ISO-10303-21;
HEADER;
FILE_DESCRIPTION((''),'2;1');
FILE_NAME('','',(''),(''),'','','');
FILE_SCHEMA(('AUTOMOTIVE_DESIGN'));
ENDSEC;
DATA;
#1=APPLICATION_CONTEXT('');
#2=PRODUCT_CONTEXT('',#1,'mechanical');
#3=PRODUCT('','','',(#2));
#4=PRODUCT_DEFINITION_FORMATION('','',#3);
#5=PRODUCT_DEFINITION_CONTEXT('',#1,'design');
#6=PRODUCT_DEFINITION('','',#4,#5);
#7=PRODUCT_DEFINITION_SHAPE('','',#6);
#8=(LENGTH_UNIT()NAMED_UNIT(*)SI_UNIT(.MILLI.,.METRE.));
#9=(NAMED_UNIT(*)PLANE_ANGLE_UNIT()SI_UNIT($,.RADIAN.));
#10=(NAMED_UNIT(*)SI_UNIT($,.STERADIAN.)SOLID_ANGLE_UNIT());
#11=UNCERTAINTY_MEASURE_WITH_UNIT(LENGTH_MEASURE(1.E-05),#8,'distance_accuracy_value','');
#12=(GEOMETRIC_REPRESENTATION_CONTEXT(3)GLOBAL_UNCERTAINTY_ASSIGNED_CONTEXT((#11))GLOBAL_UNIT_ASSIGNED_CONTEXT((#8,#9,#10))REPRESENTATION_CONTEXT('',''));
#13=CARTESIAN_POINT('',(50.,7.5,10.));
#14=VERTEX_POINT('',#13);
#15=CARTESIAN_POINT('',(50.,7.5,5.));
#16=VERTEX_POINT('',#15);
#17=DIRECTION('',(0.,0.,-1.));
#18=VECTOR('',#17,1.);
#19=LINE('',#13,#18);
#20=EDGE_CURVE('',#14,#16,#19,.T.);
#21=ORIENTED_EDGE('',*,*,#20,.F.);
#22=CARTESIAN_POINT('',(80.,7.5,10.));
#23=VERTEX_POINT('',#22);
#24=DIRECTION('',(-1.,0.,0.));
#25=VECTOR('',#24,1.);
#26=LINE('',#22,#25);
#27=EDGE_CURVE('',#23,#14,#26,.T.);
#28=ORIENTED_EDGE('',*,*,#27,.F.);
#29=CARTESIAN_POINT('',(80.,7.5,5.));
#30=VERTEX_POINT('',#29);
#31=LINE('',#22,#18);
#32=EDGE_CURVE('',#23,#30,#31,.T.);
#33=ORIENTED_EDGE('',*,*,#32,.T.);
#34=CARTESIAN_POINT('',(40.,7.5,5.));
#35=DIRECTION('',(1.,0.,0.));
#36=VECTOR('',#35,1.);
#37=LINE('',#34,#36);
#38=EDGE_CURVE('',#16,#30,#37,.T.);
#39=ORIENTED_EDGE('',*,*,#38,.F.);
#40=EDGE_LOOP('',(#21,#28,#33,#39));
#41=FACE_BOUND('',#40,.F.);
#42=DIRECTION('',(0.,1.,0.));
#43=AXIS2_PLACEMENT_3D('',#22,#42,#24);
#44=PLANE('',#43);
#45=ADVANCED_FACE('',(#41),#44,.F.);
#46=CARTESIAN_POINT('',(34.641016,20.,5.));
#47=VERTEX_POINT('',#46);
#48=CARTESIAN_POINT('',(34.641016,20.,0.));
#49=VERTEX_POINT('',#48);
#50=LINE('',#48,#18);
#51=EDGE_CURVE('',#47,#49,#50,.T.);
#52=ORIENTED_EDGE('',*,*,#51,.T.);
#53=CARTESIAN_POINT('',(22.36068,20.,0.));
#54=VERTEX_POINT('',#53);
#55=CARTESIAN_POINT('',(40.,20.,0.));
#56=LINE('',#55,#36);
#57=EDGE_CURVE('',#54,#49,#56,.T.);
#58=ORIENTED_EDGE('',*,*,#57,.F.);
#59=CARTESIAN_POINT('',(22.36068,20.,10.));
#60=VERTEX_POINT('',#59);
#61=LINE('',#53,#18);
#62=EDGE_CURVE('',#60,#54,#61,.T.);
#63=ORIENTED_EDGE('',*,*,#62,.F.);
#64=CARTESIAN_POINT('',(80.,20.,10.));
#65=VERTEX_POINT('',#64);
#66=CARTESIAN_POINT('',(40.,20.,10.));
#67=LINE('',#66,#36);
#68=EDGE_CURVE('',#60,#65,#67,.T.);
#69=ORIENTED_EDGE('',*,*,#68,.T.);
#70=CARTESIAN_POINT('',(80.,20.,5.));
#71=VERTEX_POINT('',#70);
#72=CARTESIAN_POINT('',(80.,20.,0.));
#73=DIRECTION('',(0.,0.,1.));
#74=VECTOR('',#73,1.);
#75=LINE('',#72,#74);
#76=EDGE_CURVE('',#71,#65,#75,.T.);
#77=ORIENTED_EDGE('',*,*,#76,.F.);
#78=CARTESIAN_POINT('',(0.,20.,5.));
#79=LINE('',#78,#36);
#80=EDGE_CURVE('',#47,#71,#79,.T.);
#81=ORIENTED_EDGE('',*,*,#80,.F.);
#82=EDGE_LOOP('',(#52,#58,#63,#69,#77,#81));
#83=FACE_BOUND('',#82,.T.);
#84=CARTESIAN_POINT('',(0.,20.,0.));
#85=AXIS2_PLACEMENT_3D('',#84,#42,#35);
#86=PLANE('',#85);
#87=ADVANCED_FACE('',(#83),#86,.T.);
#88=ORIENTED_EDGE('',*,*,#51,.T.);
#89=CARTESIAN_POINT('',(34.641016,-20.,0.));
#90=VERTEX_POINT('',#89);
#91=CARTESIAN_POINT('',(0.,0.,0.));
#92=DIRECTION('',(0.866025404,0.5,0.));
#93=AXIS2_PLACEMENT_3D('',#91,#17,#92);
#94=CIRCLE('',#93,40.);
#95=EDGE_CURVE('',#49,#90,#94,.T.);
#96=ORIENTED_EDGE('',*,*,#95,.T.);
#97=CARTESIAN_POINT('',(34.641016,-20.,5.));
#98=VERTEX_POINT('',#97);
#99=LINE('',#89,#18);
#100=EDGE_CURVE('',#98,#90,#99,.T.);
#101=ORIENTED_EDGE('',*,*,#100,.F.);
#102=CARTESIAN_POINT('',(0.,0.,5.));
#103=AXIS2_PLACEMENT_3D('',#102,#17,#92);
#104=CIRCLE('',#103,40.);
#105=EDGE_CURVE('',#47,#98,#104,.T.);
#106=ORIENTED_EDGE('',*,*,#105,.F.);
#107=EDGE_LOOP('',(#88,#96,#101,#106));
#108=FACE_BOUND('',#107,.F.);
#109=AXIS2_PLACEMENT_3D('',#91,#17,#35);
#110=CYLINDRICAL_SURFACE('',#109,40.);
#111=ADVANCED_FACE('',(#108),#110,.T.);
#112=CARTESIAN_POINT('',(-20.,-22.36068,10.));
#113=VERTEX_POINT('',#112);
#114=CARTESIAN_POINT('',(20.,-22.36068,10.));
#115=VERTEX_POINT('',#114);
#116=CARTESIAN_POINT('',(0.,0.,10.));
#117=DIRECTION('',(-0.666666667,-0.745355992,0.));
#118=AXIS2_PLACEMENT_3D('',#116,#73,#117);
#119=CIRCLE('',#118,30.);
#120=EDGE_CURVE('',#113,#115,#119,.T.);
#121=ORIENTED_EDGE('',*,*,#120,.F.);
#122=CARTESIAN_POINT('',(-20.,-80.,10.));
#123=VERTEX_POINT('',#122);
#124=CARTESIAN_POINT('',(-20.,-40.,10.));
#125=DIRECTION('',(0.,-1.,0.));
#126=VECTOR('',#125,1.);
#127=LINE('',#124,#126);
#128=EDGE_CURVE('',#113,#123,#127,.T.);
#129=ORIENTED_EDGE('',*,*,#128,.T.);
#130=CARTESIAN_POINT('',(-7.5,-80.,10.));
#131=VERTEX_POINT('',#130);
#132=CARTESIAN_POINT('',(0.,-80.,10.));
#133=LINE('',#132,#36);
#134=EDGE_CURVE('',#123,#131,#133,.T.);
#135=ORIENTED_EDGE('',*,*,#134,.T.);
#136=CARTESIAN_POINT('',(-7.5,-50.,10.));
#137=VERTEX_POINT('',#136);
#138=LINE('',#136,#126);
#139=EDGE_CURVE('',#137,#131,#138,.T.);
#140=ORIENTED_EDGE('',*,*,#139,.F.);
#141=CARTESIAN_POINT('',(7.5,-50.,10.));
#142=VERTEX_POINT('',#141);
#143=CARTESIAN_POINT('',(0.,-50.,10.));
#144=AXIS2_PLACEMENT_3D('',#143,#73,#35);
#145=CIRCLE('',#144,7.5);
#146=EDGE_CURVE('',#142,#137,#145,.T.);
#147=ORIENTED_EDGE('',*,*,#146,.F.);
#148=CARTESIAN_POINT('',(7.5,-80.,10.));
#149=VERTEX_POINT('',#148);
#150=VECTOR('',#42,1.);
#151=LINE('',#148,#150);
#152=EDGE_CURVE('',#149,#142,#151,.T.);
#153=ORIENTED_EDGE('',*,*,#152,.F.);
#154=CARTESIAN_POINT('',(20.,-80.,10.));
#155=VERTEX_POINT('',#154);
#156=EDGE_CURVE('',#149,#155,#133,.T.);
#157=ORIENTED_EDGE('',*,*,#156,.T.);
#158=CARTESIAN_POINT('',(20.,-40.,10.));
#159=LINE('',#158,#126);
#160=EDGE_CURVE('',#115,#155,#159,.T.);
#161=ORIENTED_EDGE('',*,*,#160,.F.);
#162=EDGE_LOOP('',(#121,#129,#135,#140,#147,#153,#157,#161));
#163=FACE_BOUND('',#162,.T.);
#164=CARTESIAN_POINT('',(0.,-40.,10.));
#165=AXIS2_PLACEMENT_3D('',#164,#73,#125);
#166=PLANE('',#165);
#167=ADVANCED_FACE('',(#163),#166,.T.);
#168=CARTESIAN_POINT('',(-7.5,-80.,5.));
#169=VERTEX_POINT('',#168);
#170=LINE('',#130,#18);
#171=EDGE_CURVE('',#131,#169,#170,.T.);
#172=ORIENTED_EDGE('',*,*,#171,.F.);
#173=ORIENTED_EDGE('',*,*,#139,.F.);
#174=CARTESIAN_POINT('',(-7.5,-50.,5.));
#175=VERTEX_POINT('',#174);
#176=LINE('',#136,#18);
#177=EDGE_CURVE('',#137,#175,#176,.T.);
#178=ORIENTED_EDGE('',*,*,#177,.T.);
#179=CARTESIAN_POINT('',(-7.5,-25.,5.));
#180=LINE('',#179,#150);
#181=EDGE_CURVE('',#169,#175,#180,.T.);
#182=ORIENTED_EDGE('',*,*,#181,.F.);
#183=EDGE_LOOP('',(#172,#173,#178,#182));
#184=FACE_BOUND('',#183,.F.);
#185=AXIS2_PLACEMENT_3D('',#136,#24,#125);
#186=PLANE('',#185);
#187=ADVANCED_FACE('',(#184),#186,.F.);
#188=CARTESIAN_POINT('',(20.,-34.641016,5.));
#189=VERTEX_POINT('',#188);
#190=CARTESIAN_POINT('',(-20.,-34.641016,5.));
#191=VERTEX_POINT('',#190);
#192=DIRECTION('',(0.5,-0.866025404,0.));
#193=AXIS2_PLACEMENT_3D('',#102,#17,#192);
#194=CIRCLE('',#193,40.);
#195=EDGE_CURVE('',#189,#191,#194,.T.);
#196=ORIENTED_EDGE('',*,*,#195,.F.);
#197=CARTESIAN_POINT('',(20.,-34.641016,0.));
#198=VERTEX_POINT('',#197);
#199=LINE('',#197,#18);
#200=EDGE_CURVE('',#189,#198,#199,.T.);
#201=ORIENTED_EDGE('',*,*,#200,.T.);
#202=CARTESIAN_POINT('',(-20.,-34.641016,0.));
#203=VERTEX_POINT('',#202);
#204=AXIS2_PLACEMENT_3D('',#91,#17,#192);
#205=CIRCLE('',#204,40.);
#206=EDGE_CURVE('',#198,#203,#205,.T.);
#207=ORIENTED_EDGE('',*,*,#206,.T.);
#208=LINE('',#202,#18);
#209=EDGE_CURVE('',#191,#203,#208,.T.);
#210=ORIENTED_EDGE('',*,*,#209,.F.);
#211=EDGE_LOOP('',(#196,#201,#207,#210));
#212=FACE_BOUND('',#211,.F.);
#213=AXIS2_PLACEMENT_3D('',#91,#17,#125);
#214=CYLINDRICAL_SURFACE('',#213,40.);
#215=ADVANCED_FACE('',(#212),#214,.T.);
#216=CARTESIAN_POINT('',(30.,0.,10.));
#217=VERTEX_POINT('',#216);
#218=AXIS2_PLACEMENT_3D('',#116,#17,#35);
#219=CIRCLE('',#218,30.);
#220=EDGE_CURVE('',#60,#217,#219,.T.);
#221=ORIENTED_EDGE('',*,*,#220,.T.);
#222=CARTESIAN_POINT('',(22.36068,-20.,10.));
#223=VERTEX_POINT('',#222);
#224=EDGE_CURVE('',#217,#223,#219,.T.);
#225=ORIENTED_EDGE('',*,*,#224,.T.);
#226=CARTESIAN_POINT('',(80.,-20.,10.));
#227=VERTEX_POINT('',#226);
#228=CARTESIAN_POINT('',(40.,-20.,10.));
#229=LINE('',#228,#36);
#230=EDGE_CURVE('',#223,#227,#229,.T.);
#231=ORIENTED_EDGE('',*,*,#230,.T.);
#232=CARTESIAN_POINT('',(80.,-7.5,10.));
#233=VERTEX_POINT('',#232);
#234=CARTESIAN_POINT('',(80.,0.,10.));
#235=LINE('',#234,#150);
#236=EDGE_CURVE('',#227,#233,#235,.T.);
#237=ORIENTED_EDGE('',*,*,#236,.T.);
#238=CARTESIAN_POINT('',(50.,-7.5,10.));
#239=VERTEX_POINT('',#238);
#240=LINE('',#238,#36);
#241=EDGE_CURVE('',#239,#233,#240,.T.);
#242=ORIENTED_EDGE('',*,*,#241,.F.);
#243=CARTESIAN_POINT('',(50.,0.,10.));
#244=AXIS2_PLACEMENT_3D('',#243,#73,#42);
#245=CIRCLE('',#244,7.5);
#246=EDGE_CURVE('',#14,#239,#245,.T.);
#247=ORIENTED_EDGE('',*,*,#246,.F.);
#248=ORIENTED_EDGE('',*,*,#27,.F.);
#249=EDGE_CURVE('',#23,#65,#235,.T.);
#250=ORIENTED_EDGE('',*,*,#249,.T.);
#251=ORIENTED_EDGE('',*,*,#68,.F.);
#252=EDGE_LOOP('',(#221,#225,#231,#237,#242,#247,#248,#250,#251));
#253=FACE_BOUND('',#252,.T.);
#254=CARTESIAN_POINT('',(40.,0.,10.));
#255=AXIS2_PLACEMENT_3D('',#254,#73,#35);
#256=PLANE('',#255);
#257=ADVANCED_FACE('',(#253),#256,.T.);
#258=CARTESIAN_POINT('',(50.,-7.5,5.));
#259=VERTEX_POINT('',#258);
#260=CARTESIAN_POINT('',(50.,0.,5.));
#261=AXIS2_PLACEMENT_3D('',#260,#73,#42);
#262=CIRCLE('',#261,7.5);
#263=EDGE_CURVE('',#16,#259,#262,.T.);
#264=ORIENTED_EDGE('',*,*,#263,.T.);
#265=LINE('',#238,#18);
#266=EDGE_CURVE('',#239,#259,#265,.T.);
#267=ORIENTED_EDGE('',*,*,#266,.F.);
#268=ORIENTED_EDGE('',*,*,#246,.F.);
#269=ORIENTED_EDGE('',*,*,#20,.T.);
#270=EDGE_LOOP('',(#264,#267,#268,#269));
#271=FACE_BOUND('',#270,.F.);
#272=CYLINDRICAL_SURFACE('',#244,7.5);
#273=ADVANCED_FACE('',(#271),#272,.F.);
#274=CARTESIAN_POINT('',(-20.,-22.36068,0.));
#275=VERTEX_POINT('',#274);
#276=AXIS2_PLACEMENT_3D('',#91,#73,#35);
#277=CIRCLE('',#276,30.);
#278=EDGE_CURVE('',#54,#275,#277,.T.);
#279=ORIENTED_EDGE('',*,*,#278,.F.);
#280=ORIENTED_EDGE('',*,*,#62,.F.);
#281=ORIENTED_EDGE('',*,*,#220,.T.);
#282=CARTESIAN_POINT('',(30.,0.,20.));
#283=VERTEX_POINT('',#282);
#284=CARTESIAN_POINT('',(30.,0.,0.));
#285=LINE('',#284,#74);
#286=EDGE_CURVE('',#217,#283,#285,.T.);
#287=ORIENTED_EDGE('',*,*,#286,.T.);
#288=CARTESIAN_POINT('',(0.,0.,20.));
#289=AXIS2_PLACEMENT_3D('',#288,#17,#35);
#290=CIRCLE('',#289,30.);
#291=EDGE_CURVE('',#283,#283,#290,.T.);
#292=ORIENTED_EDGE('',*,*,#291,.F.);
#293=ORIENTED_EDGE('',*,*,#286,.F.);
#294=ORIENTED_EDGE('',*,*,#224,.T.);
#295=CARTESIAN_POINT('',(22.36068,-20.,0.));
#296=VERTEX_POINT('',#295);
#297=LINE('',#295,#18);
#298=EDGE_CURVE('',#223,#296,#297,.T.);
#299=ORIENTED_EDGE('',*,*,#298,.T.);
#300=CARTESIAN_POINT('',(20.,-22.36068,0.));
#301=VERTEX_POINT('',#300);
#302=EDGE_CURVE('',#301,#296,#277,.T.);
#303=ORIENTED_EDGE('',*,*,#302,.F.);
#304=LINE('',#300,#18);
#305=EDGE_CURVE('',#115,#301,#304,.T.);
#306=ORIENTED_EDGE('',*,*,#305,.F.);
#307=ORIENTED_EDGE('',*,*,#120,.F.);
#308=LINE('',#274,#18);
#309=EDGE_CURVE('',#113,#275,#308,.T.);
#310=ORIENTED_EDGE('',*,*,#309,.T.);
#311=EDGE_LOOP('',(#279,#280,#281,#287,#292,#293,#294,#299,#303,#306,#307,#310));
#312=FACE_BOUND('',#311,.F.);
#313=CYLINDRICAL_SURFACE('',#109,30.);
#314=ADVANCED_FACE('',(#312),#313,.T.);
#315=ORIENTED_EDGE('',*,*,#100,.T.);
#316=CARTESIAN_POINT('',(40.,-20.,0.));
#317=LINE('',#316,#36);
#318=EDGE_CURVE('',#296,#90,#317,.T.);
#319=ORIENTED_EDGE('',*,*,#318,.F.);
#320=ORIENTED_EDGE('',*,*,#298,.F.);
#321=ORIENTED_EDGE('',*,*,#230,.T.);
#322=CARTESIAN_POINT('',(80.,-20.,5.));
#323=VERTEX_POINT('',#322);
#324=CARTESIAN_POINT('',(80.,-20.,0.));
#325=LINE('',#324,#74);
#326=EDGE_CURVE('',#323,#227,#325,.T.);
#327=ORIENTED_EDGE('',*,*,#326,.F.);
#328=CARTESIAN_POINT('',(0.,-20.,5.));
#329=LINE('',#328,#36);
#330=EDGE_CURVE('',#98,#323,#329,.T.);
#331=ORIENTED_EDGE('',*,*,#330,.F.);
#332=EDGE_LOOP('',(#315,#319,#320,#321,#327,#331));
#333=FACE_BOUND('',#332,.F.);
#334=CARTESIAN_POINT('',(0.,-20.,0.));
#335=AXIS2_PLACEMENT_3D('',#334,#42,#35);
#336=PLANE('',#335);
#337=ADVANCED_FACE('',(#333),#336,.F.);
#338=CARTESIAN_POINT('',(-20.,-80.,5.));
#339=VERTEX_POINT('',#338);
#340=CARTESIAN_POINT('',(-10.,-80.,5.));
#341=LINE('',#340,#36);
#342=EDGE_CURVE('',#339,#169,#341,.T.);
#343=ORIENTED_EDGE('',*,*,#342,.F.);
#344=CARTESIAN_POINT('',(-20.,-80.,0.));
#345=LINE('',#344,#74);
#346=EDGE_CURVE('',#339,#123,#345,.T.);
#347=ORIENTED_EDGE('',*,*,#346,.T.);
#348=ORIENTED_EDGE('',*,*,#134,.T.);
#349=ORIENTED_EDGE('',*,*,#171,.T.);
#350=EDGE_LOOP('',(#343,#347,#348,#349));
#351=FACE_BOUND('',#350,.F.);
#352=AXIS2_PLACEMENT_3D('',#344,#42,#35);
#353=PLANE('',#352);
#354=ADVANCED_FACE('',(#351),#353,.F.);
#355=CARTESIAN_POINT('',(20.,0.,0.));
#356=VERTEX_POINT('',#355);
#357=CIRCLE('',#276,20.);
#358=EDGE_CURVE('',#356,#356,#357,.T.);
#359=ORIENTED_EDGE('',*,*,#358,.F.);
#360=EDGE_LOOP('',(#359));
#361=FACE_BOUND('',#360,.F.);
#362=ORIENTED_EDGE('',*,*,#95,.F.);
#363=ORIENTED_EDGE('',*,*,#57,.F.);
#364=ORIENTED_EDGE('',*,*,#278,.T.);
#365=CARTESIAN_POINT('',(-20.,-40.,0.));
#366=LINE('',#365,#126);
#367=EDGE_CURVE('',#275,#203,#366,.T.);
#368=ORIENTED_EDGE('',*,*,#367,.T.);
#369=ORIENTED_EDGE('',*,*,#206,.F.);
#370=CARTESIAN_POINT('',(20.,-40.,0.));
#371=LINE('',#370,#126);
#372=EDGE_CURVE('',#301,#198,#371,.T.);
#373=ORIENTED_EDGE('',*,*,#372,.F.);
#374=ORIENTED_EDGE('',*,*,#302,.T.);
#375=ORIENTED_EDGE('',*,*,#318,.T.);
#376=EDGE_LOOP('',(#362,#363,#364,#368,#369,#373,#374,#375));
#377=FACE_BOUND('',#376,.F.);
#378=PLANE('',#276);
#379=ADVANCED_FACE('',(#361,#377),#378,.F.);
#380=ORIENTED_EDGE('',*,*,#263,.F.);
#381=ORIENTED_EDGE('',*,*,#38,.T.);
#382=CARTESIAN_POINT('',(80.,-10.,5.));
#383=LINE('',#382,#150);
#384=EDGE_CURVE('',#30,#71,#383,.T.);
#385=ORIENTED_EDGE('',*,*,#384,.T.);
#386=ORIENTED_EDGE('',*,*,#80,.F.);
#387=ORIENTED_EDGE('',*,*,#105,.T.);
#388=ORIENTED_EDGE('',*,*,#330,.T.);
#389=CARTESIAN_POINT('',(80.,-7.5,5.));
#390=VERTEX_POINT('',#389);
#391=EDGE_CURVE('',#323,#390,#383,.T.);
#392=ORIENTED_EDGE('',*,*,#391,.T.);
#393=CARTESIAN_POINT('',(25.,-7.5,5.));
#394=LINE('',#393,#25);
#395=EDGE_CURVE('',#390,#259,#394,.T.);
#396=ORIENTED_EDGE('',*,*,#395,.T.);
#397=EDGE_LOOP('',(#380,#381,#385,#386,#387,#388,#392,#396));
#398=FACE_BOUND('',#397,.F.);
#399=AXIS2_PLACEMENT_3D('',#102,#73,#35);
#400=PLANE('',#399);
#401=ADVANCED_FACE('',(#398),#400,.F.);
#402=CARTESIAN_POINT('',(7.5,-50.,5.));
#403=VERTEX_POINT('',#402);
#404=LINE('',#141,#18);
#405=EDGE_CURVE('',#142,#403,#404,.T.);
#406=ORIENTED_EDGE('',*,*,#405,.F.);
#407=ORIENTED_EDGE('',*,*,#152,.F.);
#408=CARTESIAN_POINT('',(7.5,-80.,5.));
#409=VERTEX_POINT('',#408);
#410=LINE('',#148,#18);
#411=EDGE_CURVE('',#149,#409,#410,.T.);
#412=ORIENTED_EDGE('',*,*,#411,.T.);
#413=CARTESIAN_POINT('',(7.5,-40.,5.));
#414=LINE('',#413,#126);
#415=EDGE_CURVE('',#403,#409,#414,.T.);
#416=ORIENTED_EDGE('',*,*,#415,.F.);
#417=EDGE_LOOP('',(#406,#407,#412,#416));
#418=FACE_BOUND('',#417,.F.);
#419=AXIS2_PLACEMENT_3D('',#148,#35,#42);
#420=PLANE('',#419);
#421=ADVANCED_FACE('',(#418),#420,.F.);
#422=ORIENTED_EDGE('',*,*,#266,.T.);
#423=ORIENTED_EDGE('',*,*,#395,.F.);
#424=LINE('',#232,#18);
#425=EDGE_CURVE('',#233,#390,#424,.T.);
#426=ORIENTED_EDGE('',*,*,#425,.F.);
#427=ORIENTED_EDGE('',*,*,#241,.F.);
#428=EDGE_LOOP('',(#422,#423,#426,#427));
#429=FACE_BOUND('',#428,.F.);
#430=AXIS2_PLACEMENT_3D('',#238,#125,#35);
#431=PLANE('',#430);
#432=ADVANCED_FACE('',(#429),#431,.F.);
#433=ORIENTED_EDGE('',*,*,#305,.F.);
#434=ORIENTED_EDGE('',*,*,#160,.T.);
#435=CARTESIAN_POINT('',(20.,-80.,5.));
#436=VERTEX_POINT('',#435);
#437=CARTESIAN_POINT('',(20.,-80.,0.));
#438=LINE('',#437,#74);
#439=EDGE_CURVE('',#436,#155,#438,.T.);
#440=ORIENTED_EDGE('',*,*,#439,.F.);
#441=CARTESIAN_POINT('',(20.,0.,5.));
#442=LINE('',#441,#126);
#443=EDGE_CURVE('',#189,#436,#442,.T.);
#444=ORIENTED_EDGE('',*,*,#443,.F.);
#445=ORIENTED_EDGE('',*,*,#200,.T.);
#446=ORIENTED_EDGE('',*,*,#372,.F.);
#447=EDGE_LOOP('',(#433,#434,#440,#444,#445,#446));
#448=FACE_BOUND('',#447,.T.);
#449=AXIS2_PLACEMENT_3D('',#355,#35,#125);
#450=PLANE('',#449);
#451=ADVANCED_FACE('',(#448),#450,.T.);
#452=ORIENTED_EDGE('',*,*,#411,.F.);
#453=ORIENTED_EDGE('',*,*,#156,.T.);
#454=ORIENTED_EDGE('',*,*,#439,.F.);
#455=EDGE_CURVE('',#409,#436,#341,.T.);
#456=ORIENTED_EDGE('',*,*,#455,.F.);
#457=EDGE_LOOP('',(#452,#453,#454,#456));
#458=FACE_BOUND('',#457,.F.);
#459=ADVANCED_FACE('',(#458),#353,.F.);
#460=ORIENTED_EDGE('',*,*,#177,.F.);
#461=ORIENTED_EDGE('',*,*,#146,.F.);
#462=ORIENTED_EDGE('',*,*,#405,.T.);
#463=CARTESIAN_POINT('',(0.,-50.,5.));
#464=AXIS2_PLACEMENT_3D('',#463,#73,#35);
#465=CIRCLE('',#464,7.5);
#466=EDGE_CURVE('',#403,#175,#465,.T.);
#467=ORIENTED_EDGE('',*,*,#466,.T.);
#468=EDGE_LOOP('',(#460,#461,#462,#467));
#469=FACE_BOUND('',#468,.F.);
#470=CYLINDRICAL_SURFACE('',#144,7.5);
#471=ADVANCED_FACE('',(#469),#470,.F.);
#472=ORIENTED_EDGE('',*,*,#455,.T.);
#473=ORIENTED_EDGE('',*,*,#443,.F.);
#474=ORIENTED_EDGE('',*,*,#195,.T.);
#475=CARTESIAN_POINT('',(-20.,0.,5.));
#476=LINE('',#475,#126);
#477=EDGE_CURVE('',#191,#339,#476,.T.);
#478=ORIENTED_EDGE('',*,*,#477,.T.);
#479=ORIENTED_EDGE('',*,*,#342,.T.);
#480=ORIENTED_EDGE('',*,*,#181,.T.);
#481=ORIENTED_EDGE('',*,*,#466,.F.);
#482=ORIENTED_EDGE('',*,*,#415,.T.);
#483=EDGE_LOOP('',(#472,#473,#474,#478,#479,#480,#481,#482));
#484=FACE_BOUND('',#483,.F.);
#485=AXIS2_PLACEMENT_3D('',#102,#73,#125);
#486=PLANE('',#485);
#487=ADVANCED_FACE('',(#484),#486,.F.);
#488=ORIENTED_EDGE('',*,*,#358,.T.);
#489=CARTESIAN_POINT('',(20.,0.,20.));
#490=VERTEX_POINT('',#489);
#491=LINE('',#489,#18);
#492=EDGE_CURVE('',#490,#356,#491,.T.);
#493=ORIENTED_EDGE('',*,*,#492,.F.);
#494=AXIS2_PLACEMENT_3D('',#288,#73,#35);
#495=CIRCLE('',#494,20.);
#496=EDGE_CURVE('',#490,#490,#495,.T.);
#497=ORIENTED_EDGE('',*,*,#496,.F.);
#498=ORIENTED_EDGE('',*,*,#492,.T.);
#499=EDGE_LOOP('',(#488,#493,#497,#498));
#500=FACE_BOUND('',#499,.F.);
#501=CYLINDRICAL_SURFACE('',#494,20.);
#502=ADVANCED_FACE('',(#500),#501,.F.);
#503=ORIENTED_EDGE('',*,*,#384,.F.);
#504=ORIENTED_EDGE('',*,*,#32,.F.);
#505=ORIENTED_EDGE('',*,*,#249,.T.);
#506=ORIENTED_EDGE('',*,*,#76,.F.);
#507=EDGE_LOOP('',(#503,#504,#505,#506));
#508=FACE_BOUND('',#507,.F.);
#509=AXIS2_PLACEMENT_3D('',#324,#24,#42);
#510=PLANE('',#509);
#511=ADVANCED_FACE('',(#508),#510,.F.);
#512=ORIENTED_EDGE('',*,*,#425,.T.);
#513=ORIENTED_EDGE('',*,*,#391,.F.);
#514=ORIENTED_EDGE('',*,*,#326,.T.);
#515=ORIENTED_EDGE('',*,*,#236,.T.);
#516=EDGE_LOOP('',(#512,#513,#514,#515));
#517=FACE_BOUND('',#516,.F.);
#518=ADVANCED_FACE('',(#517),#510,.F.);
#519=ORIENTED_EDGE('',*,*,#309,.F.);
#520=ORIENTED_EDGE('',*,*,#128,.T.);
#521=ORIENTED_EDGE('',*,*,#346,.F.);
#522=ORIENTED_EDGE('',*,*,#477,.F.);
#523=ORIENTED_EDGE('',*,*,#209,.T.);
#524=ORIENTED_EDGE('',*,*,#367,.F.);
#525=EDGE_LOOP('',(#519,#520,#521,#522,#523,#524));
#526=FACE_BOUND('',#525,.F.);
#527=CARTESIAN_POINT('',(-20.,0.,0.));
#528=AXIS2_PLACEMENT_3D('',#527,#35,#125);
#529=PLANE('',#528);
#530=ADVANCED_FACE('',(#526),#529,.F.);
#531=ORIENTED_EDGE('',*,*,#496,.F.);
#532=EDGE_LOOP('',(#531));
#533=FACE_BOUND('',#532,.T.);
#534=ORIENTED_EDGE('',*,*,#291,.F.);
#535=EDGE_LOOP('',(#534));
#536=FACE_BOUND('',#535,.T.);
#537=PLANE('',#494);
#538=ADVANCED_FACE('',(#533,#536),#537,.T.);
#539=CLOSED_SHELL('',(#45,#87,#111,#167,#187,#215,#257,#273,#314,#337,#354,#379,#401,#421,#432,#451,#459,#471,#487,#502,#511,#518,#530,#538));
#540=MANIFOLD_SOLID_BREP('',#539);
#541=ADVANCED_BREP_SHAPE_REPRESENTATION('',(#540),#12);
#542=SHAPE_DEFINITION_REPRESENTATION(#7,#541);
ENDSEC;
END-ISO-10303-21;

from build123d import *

# Parameters (mm, degrees)
F0_R      = 30
F1_DEPTH  = 20
F2_W      = 80
F2_H      = 40
F3_DEPTH  = 10
F5_DEPTH  = 10.001
F6_R      = 90
F6_R_2    = 40
F7_DEPTH  = 5
F8_COUNT  = 2
F8_ANGLE  = 90
F9_R      = 20
F10_DEPTH = 20.001


with BuildPart() as f1:
    # F0 (on Top) → F1 (new body)
    with BuildSketch(Plane.XY):
        Circle(F0_R)
    extrude(amount=F1_DEPTH)

    # F2 (on Top) → F3 (join)
    with BuildSketch(Plane.XY):
        with Locations((40, 0)):
            Rectangle(F2_W, F2_H)
    extrude(amount=F3_DEPTH)

    # F4 (on face) → F5 (cut, through all)
    with BuildSketch(Plane.XY.offset(10)):
        with BuildLine():
            Line((80, 7.5), (50, 7.5))
            ThreePointArc((50, 7.5), (42.5, 0), (50, -7.5))
            Line((50, -7.5), (80, -7.5))
            Line((80, -7.5), (80, 7.5))
        make_face()
    extrude(amount=-F5_DEPTH, mode=Mode.SUBTRACT)

    # F6 (on Top) → F7 (cut)
    with BuildSketch(Plane.XY):
        Circle(F6_R)
        Circle(F6_R_2, mode=Mode.SUBTRACT)
    extrude(amount=F7_DEPTH, mode=Mode.SUBTRACT)

    # F8: F1 ×2 about axis
    f8_axis = Axis((0, 0, 20), (0, 0, -1))


with BuildPart() as f1_1:
    add(f1.part)
    for i in range(1, F8_COUNT):
        add(f1.part.rotate(f8_axis, i * F8_ANGLE / (F8_COUNT - 1)))

    # F9 (on face) → F10 (cut, through all)
    with BuildSketch(Plane.XY.offset(20)):
        Circle(F9_R)
    extrude(amount=-F10_DEPTH, mode=Mode.SUBTRACT)


solid = f1_1.part
